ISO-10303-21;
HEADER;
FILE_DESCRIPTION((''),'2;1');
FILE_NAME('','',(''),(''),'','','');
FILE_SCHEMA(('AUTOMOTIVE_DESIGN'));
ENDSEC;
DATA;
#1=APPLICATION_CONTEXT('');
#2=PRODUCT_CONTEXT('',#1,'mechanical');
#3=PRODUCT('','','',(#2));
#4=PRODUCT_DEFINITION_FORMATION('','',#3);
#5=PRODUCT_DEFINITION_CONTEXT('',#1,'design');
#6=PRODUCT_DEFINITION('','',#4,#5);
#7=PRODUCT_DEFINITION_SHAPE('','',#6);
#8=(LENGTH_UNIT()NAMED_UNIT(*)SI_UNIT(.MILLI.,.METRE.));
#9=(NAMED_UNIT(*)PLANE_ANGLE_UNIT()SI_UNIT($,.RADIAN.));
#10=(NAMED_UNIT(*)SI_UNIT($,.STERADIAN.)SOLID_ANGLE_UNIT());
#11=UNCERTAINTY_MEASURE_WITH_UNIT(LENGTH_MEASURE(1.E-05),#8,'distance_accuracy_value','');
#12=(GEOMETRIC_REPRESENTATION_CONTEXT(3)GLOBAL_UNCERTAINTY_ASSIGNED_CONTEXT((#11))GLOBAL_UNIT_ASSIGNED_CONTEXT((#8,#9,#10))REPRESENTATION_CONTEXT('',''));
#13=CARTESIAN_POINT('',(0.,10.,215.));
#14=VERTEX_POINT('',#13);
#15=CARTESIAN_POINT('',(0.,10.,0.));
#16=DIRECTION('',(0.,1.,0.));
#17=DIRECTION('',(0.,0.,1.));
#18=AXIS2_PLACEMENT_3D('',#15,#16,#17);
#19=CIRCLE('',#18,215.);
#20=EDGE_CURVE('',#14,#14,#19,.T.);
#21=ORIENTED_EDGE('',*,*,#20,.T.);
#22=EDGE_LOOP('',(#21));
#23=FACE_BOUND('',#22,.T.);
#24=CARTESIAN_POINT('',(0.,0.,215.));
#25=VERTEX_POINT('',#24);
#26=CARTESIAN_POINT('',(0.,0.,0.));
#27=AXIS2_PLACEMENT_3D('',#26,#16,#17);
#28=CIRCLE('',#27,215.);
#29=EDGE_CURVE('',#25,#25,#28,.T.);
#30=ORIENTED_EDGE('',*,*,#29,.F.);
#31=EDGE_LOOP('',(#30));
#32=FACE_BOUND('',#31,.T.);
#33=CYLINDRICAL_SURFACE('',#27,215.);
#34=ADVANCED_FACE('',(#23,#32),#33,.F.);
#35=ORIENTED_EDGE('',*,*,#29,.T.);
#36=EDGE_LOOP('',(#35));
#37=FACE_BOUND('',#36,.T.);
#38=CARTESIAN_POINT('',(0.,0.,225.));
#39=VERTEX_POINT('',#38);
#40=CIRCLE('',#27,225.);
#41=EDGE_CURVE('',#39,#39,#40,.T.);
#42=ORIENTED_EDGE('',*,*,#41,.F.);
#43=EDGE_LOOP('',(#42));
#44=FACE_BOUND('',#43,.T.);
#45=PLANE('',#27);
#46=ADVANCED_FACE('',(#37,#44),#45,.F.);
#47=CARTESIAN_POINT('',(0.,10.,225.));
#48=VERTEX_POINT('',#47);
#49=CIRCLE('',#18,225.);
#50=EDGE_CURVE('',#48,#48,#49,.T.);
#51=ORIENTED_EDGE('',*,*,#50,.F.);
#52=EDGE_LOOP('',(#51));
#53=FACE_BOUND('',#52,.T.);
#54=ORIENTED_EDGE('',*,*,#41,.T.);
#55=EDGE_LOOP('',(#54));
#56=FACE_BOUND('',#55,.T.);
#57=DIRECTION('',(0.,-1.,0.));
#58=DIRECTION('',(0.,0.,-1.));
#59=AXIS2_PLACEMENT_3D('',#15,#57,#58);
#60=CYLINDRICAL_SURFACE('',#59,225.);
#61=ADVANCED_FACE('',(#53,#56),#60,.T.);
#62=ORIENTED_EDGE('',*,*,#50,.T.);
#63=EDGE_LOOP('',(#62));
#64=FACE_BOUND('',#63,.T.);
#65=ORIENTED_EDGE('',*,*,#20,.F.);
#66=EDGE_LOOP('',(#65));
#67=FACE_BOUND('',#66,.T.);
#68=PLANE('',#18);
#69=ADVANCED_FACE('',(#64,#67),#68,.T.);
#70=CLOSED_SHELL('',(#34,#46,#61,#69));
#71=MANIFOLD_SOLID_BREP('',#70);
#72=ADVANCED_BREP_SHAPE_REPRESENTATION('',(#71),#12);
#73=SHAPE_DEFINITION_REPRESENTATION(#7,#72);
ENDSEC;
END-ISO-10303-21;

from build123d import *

# Parameters (mm, degrees)
SKETCH1_R           = 225
BOSS_EXTRUDE1_DEPTH = 10
SKETCH2_R           = 215
CUT_EXTRUDE1_DEPTH  = 319.355147595


with BuildPart() as part:
    # Sketch1 → Boss-Extrude1 (new body)
    with BuildSketch(Plane(origin=(0, 0, 0), x_dir=(1, 0, 0), z_dir=(0, 1, 0))):
        with Locations(Location((0, 0, 0), (0, 0, 270))):
            Circle(SKETCH1_R)
    extrude(amount=BOSS_EXTRUDE1_DEPTH)

    # Sketch2 → Cut-Extrude1 (cut, through all)
    with BuildSketch(Plane(origin=(0, 10, 0), x_dir=(1, 0, 0), z_dir=(0, 1, 0))):
        with Locations(Location((0, 0, 0), (0, 0, 270))):
            Circle(SKETCH2_R)
    extrude(amount=-CUT_EXTRUDE1_DEPTH, mode=Mode.SUBTRACT)


solid = part.part
